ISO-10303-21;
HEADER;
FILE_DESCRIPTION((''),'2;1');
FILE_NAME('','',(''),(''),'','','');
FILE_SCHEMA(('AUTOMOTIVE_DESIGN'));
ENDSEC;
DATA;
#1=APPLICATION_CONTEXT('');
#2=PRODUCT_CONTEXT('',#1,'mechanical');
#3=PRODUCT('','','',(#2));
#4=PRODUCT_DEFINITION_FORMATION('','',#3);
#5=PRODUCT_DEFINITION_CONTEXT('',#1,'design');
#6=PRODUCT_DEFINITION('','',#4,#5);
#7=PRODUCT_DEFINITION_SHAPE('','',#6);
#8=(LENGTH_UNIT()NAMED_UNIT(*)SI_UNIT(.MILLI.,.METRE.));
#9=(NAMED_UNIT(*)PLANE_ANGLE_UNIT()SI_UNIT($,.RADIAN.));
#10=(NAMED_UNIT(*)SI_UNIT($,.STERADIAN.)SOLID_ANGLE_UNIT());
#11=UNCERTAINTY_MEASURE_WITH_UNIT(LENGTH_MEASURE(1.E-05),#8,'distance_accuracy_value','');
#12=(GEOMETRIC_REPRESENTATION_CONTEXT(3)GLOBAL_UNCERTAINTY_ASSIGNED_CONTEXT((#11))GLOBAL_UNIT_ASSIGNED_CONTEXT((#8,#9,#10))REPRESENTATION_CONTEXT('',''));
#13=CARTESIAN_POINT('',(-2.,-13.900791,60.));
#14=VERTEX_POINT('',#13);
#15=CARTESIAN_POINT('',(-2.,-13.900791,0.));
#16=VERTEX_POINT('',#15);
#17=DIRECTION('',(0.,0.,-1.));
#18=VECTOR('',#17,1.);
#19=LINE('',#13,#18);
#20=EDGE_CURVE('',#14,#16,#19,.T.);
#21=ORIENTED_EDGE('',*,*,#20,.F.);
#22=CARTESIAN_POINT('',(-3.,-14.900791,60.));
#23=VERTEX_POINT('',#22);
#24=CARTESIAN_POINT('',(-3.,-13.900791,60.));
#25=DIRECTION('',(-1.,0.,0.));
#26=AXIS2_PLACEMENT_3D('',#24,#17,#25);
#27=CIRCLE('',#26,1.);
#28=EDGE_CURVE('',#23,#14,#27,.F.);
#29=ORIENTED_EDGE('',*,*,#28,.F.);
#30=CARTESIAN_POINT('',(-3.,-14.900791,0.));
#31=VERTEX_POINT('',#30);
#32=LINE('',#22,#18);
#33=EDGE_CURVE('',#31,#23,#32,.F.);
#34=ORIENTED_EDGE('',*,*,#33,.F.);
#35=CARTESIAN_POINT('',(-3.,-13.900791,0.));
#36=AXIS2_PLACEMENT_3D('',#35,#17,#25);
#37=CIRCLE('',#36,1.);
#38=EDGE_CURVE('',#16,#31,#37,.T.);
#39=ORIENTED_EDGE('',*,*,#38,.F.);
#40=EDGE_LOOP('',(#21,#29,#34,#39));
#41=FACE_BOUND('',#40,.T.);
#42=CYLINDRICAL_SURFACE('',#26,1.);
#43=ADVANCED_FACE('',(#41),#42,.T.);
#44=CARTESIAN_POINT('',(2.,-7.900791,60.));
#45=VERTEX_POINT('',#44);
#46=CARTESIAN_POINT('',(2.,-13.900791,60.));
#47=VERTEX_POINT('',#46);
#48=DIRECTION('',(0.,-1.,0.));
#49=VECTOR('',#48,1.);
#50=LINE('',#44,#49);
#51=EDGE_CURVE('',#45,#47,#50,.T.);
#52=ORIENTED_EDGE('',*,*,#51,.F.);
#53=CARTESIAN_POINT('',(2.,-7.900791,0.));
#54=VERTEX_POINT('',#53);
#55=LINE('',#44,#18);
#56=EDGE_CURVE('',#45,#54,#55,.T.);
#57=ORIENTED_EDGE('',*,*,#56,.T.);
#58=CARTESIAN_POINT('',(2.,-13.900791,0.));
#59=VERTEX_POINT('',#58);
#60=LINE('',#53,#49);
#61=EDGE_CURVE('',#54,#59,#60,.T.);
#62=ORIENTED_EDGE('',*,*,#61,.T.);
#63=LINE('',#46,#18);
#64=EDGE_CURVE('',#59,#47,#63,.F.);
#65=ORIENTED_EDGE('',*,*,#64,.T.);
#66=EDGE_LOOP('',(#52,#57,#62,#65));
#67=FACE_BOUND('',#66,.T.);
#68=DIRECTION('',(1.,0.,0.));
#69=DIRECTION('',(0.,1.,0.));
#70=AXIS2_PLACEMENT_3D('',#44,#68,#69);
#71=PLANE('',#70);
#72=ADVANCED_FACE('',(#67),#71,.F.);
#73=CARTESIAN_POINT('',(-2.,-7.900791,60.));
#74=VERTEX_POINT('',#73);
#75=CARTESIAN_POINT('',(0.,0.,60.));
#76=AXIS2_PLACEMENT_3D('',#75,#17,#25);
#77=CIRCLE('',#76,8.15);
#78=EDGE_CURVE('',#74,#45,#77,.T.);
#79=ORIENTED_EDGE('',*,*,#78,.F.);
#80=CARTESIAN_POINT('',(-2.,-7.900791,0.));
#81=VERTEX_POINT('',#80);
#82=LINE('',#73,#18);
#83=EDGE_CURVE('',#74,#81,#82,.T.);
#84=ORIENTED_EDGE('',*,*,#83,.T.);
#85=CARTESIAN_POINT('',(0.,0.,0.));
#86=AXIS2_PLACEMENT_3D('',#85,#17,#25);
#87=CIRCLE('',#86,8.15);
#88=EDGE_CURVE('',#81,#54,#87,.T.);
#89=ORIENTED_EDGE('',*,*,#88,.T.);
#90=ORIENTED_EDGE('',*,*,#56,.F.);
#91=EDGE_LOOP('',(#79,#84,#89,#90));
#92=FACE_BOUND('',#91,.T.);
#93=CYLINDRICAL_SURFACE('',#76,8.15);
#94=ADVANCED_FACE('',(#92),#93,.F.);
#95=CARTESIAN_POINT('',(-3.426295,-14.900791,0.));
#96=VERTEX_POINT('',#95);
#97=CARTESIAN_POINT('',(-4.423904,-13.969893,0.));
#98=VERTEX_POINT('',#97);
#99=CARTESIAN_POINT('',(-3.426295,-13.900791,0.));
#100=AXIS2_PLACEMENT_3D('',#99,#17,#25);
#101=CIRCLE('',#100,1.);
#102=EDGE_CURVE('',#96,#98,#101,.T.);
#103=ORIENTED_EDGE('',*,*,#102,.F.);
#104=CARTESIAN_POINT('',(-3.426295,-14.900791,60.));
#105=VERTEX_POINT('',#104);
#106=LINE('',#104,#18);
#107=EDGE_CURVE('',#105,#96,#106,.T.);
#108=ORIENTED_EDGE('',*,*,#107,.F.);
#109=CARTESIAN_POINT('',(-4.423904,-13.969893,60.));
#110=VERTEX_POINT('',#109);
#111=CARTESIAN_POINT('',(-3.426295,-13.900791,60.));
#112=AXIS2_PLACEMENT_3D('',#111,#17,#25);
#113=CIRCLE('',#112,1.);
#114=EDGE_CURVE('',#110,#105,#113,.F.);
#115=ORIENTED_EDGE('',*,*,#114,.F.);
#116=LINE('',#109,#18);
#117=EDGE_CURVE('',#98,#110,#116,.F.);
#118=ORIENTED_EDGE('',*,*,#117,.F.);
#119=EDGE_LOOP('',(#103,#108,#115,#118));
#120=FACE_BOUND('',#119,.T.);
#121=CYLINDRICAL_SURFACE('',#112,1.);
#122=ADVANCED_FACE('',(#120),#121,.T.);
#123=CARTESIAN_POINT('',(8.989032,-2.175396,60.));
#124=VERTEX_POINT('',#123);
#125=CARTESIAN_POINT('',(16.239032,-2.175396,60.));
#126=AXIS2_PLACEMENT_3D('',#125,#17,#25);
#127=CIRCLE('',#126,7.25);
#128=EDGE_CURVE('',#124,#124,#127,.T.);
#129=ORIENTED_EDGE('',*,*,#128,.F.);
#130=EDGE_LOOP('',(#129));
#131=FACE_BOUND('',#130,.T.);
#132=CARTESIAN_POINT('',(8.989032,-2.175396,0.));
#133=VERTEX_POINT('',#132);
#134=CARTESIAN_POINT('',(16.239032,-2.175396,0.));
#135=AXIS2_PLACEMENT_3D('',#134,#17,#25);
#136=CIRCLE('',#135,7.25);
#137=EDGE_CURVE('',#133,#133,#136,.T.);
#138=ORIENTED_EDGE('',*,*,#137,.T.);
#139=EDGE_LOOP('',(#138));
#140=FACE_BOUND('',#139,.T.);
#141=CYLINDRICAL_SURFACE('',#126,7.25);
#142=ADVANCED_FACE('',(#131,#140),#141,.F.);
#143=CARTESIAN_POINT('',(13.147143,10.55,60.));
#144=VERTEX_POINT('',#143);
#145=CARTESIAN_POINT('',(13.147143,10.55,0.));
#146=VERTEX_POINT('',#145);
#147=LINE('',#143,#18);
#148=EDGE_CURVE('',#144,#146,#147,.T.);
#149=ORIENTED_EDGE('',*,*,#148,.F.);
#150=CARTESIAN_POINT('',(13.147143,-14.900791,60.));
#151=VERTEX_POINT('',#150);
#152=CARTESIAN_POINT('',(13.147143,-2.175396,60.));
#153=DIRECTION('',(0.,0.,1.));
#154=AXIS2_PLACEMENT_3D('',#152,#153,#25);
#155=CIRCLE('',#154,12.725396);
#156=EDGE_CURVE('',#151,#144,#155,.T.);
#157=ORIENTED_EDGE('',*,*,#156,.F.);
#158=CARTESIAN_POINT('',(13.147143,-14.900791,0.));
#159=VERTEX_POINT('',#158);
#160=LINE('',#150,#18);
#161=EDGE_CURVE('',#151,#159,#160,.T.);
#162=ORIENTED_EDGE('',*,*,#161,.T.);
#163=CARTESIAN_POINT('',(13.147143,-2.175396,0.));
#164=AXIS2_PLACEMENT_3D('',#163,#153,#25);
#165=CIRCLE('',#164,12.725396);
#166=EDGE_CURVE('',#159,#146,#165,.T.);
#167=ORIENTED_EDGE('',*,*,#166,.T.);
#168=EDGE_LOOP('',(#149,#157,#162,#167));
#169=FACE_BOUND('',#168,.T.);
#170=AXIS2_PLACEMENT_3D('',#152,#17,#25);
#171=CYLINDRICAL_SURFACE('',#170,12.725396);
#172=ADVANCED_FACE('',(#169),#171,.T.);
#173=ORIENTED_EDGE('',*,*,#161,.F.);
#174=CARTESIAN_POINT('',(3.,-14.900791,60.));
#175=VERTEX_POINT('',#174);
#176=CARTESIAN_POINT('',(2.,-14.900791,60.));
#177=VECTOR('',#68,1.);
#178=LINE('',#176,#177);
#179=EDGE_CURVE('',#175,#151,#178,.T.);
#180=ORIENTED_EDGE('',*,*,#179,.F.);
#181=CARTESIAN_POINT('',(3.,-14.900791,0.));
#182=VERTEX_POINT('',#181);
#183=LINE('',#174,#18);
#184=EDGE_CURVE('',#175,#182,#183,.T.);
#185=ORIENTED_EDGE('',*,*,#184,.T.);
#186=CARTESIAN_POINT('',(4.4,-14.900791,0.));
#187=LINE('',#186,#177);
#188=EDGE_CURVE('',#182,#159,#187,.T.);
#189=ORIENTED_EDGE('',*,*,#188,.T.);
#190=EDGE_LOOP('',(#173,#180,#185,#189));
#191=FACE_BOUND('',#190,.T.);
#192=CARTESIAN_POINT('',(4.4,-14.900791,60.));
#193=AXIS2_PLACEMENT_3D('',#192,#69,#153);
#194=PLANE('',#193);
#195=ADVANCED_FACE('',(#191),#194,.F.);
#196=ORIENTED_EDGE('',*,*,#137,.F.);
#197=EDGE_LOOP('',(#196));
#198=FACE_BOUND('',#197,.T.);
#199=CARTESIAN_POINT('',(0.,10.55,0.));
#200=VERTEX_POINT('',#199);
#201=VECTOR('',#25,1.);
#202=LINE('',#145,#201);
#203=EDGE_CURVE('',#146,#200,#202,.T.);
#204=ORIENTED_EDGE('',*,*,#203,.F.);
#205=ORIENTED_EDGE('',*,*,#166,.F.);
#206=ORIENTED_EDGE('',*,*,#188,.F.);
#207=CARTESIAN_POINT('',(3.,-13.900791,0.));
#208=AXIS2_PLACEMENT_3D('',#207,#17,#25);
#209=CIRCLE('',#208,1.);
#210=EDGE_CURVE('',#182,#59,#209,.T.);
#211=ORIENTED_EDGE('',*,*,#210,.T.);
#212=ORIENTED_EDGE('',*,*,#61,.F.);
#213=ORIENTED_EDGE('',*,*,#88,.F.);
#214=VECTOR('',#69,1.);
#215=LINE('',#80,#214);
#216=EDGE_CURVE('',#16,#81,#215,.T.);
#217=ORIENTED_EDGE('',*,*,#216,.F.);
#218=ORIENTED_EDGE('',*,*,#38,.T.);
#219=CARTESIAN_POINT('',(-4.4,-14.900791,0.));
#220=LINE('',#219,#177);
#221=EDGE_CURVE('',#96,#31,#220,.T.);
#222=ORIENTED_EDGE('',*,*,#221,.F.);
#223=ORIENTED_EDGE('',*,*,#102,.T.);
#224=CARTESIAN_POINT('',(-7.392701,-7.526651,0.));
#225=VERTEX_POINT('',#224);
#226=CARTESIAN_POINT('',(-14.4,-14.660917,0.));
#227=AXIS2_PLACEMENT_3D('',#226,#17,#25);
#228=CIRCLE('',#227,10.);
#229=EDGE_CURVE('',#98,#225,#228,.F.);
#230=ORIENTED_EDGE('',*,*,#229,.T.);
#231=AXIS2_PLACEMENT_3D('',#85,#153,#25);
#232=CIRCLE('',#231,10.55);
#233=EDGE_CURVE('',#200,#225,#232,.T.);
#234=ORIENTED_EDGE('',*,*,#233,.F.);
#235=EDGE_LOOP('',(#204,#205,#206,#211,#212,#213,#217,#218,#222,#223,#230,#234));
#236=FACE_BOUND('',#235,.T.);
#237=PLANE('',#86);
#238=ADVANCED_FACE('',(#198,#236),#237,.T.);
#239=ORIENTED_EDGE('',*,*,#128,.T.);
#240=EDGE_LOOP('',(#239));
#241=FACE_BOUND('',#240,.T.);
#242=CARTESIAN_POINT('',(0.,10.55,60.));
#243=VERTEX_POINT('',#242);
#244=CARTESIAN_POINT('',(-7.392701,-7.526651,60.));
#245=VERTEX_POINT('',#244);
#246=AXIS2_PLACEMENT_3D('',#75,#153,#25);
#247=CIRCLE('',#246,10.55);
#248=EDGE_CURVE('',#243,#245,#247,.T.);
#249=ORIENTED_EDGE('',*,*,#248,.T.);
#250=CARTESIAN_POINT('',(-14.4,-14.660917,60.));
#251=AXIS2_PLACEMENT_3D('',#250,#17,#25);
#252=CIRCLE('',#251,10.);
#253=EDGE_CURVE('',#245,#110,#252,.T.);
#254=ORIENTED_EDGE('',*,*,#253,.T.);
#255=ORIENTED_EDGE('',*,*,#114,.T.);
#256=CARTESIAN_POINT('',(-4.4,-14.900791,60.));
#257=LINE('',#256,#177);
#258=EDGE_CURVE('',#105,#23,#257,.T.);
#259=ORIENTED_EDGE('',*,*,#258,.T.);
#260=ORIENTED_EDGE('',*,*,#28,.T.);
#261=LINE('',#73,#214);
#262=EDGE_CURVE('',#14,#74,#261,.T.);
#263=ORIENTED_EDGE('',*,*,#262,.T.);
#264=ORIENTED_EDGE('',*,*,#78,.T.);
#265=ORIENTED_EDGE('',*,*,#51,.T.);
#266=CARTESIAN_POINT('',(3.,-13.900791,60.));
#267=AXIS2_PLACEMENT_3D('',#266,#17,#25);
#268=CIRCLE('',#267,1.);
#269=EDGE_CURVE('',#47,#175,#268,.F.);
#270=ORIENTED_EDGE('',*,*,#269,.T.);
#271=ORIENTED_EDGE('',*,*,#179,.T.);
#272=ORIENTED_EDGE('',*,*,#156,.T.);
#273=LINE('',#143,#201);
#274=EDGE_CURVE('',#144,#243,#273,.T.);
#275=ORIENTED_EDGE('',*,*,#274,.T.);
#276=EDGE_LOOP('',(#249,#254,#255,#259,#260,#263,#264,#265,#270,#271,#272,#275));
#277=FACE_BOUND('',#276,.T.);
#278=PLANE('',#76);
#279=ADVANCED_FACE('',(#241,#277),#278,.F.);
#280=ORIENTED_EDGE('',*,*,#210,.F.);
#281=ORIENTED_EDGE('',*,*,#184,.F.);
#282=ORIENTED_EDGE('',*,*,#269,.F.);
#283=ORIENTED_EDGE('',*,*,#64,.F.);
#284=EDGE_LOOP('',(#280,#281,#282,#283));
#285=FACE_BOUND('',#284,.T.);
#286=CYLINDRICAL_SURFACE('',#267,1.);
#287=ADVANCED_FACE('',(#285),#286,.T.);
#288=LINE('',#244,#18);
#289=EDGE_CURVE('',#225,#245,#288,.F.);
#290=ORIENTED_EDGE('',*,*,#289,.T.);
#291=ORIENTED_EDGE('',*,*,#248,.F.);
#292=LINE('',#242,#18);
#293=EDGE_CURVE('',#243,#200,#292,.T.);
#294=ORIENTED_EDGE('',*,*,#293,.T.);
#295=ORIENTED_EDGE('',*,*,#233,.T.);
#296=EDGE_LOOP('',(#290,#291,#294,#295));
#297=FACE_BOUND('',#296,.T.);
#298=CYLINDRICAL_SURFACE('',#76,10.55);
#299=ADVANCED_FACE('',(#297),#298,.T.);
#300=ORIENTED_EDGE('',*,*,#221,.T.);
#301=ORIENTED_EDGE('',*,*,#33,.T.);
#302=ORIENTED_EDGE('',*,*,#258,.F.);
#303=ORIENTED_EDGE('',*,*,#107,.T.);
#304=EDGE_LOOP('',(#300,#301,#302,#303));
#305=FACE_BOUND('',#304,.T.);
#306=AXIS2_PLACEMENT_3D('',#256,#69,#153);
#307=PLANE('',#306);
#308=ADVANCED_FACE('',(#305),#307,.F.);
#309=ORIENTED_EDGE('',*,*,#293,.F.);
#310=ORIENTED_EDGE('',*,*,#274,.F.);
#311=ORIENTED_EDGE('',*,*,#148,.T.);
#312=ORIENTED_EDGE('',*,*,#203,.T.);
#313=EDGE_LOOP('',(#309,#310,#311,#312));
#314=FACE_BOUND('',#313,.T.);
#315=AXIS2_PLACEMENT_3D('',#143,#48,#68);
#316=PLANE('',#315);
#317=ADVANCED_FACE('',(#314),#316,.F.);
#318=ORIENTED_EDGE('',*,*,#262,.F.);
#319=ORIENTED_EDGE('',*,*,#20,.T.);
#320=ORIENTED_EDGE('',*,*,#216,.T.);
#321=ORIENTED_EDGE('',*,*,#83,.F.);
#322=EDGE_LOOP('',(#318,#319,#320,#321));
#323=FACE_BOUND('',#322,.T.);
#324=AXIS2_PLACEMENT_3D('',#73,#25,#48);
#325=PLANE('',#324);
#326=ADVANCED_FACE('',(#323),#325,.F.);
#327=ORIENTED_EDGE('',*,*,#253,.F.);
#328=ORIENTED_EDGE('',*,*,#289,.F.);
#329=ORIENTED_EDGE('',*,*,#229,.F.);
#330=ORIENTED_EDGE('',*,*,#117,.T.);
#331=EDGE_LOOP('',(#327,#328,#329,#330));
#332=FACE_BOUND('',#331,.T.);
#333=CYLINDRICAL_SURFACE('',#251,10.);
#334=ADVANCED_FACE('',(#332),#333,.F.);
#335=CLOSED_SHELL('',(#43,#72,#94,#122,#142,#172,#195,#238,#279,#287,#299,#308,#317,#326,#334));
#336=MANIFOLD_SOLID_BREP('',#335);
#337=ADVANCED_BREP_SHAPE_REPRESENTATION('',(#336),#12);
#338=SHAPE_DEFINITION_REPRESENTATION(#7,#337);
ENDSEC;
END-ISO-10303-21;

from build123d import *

# Parameters (mm, degrees)
BOSS_EXTRU_1_DEPTH      = 60
ESQUISSE2_R             = 7.25
ENL_V_MAT_EXTRU_1_DEPTH = 61
CONG_1_R                = 10
CONG_2_R                = 1


with BuildPart() as part:
    # Esquisse1 → Boss.-Extru.1 (new body)
    with BuildSketch(Plane.XY):
        with BuildLine():
            Line((-2, -7.9007911), (-2, -14.9007911))
            Line((-2, -14.9007911), (-4.4, -14.9007911))
            Line((-4.4, -14.9007911), (-4.4, -9.588665183))
            ThreePointArc((-4.4, -9.588665183), (-10.306864647, 2.251897235), (0, 10.55))
            Line((0, 10.55), (13.147142873, 10.55))
            ThreePointArc((13.147142873, 10.55), (25.872538423, -2.17539555), (13.147142873, -14.9007911))
            Line((13.147142873, -14.9007911), (4.4, -14.9007911))
            Line((4.4, -14.9007911), (2, -14.9007911))
            Line((2, -14.9007911), (2, -7.9007911))
            ThreePointArc((2, -7.9007911), (0, 8.15), (-2, -7.9007911))
        make_face()
    extrude(amount=BOSS_EXTRU_1_DEPTH)

    # Esquisse2 → Enlèv. mat.-Extru.1 (cut, through all)
    with BuildSketch(Plane(origin=(0, 0, 0), x_dir=(-1, 0, 0), z_dir=(0, 0, -1))):
        with Locations((-16.23903239, -2.17539555)):
            Circle(ESQUISSE2_R)
    extrude(amount=-ENL_V_MAT_EXTRU_1_DEPTH, mode=Mode.SUBTRACT)

    # Congé1
    cong_1_edges = [part.edges().sort_by_distance(p)[0] for p in [
        (-4.4, -9.588665183, 30),
    ]]
    fillet(cong_1_edges, radius=CONG_1_R)

    # Congé2
    cong_2_edges = [part.edges().sort_by_distance(p)[0] for p in [
        (-4.4, -14.9007911, 30),
        (-2, -14.9007911, 30),
        (2, -14.9007911, 30),
    ]]
    fillet(cong_2_edges, radius=CONG_2_R)


solid = part.part
